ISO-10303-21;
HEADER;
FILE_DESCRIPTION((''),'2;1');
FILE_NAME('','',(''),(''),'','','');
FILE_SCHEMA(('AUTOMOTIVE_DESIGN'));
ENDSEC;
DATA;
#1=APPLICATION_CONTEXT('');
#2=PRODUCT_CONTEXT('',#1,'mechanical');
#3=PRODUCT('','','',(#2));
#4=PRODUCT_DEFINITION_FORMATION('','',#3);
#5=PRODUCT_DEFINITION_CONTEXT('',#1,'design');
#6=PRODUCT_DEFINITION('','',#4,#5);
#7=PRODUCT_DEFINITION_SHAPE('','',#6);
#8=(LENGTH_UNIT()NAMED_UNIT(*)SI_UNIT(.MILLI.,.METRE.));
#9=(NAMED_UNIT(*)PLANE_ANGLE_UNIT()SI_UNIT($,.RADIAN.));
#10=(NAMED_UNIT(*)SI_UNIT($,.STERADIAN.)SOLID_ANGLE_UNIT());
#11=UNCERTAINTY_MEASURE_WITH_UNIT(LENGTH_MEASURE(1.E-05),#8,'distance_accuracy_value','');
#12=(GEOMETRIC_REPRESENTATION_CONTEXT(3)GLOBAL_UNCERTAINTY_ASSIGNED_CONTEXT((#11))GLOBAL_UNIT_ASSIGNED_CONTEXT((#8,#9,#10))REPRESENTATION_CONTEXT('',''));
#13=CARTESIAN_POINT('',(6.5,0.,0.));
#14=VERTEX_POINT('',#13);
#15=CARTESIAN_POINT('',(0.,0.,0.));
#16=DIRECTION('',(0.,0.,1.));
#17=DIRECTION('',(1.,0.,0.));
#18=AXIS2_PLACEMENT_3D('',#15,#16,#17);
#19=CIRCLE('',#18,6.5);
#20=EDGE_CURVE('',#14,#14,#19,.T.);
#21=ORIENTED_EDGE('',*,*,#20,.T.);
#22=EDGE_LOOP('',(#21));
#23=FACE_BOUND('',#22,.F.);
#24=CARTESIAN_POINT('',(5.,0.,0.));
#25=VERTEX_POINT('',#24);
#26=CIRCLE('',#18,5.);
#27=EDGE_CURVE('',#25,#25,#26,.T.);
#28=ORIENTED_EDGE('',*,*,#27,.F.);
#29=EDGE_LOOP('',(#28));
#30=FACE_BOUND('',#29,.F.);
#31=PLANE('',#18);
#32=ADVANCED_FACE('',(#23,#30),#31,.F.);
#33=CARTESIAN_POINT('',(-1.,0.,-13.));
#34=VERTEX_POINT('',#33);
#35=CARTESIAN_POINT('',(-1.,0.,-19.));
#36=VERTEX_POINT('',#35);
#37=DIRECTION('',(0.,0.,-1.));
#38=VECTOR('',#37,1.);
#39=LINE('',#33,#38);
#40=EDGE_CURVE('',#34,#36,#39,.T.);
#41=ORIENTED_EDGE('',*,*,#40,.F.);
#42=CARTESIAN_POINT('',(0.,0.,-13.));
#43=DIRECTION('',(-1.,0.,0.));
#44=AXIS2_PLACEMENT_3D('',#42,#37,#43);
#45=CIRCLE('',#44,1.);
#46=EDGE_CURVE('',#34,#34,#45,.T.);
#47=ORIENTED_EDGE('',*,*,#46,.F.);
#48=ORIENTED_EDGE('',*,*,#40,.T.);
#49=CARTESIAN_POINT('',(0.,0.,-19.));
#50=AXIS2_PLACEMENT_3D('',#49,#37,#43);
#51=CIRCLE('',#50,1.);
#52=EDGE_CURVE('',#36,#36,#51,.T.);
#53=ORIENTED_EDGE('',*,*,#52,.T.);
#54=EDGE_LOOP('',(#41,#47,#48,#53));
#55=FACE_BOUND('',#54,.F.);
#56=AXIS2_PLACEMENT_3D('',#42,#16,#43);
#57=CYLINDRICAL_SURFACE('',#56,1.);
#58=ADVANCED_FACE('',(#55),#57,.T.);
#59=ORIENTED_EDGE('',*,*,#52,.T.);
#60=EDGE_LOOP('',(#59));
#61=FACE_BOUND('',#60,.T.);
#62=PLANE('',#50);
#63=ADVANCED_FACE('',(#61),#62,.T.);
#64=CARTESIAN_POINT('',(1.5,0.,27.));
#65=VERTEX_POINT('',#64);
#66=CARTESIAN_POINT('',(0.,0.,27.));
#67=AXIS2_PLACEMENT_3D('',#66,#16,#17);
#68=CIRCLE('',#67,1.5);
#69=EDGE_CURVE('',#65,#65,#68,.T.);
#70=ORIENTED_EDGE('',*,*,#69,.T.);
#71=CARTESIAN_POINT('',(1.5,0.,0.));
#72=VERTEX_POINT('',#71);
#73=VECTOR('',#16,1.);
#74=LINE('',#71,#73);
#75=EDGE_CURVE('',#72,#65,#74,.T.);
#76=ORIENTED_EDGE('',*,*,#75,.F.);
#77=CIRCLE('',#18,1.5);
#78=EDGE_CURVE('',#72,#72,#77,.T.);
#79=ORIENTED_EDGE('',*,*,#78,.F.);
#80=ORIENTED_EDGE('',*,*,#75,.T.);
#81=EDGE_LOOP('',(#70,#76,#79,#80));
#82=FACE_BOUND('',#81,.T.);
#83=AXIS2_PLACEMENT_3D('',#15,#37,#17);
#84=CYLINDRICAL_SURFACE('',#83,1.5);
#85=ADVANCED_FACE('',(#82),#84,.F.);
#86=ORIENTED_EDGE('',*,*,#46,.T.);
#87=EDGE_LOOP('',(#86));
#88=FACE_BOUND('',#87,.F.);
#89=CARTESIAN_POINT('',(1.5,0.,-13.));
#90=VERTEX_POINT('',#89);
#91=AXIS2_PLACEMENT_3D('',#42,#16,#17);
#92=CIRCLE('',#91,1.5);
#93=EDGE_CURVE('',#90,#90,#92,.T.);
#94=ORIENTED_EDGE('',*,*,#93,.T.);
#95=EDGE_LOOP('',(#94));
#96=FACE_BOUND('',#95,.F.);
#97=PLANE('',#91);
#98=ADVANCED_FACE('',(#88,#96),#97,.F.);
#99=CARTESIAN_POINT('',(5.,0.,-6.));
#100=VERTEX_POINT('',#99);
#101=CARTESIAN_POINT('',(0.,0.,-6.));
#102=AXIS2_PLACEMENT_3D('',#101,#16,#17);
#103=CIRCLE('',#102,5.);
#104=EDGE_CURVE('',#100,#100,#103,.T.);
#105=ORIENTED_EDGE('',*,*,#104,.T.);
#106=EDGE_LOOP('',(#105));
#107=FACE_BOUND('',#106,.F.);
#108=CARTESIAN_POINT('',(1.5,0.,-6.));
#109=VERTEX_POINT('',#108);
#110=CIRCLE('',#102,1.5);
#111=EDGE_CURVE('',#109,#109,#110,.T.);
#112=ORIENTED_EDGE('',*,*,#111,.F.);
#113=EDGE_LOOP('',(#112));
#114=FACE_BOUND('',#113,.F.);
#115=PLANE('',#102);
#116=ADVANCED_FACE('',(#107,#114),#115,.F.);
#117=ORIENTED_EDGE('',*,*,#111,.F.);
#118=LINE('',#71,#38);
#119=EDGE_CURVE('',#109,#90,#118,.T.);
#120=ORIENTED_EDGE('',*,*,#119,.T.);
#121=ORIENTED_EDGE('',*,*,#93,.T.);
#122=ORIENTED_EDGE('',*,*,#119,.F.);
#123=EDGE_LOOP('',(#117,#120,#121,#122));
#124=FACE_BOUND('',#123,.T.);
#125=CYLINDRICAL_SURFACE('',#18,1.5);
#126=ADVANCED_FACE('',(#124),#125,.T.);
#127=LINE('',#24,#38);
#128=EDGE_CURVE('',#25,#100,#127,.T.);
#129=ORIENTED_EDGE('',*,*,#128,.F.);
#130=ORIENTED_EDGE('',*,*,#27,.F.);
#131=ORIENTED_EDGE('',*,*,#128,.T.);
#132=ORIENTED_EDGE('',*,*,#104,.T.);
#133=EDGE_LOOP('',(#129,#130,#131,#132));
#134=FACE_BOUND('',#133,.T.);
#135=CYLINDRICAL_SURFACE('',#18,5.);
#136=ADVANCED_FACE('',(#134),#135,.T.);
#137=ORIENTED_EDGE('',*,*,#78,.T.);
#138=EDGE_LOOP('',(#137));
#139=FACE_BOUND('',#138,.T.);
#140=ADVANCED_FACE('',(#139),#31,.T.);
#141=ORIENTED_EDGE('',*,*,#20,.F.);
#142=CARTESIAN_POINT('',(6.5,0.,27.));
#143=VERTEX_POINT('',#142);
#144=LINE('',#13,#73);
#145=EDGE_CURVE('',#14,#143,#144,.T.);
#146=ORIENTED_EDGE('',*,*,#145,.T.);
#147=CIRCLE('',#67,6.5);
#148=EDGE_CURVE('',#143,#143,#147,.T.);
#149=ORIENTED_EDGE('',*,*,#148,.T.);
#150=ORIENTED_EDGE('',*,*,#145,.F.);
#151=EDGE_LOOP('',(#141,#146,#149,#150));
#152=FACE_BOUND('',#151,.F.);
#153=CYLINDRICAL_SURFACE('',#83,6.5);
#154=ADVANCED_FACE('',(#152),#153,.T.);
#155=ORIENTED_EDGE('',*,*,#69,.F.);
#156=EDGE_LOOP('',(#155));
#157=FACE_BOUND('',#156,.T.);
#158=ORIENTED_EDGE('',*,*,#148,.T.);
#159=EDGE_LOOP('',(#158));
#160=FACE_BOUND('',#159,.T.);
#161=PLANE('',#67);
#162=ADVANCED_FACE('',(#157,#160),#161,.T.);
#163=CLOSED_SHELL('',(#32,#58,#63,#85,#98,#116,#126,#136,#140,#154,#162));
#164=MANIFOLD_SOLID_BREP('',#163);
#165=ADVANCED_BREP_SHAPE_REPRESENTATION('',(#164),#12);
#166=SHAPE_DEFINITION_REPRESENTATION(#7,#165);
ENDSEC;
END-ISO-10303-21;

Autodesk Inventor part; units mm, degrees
ref_plane "YZ Plane" through (0, 0, 0) normal (1, 0, 0) x (0, 1, 0)
ref_plane "XZ Plane" through (0, 0, 0) normal (0, 1, 0) x (-1, 0, 0)
ref_plane "XY Plane" through (0, 0, 0) normal (0, 0, 1) x (1, 0, 0)
sketch "Sketch1" plane through (0, 0, 0) normal (0, 0, 1) x (1, 0, 0)
  circle A0 centre (0, 0) radius 6.5
  circle A1 centre (0, 0) radius 5
  circle A2 centre (0, 0) radius 1.5
  dimension "d11" = 13
  dimension "d12" = 10
  dimension "d13" = 3
extrude "Extrusion1" add sketch "Sketch1" along normal blind 27 contours A0 | A1
extrude "Extrusion3" add sketch "Sketch1" against normal blind 6 contours A1
extrude "Extrusion4" add sketch "Sketch1" against normal blind 13 contours A2
sketch "Sketch3" plane through (0, 0, -13) normal (0, 0, -1) x (-1, 0, 0)
  circle A0 centre (0, 0) radius 1
  dimension "d18" = 2
extrude "Extrusion5" add sketch "Sketch3" along normal blind 6
properties part number "Solinoid"
